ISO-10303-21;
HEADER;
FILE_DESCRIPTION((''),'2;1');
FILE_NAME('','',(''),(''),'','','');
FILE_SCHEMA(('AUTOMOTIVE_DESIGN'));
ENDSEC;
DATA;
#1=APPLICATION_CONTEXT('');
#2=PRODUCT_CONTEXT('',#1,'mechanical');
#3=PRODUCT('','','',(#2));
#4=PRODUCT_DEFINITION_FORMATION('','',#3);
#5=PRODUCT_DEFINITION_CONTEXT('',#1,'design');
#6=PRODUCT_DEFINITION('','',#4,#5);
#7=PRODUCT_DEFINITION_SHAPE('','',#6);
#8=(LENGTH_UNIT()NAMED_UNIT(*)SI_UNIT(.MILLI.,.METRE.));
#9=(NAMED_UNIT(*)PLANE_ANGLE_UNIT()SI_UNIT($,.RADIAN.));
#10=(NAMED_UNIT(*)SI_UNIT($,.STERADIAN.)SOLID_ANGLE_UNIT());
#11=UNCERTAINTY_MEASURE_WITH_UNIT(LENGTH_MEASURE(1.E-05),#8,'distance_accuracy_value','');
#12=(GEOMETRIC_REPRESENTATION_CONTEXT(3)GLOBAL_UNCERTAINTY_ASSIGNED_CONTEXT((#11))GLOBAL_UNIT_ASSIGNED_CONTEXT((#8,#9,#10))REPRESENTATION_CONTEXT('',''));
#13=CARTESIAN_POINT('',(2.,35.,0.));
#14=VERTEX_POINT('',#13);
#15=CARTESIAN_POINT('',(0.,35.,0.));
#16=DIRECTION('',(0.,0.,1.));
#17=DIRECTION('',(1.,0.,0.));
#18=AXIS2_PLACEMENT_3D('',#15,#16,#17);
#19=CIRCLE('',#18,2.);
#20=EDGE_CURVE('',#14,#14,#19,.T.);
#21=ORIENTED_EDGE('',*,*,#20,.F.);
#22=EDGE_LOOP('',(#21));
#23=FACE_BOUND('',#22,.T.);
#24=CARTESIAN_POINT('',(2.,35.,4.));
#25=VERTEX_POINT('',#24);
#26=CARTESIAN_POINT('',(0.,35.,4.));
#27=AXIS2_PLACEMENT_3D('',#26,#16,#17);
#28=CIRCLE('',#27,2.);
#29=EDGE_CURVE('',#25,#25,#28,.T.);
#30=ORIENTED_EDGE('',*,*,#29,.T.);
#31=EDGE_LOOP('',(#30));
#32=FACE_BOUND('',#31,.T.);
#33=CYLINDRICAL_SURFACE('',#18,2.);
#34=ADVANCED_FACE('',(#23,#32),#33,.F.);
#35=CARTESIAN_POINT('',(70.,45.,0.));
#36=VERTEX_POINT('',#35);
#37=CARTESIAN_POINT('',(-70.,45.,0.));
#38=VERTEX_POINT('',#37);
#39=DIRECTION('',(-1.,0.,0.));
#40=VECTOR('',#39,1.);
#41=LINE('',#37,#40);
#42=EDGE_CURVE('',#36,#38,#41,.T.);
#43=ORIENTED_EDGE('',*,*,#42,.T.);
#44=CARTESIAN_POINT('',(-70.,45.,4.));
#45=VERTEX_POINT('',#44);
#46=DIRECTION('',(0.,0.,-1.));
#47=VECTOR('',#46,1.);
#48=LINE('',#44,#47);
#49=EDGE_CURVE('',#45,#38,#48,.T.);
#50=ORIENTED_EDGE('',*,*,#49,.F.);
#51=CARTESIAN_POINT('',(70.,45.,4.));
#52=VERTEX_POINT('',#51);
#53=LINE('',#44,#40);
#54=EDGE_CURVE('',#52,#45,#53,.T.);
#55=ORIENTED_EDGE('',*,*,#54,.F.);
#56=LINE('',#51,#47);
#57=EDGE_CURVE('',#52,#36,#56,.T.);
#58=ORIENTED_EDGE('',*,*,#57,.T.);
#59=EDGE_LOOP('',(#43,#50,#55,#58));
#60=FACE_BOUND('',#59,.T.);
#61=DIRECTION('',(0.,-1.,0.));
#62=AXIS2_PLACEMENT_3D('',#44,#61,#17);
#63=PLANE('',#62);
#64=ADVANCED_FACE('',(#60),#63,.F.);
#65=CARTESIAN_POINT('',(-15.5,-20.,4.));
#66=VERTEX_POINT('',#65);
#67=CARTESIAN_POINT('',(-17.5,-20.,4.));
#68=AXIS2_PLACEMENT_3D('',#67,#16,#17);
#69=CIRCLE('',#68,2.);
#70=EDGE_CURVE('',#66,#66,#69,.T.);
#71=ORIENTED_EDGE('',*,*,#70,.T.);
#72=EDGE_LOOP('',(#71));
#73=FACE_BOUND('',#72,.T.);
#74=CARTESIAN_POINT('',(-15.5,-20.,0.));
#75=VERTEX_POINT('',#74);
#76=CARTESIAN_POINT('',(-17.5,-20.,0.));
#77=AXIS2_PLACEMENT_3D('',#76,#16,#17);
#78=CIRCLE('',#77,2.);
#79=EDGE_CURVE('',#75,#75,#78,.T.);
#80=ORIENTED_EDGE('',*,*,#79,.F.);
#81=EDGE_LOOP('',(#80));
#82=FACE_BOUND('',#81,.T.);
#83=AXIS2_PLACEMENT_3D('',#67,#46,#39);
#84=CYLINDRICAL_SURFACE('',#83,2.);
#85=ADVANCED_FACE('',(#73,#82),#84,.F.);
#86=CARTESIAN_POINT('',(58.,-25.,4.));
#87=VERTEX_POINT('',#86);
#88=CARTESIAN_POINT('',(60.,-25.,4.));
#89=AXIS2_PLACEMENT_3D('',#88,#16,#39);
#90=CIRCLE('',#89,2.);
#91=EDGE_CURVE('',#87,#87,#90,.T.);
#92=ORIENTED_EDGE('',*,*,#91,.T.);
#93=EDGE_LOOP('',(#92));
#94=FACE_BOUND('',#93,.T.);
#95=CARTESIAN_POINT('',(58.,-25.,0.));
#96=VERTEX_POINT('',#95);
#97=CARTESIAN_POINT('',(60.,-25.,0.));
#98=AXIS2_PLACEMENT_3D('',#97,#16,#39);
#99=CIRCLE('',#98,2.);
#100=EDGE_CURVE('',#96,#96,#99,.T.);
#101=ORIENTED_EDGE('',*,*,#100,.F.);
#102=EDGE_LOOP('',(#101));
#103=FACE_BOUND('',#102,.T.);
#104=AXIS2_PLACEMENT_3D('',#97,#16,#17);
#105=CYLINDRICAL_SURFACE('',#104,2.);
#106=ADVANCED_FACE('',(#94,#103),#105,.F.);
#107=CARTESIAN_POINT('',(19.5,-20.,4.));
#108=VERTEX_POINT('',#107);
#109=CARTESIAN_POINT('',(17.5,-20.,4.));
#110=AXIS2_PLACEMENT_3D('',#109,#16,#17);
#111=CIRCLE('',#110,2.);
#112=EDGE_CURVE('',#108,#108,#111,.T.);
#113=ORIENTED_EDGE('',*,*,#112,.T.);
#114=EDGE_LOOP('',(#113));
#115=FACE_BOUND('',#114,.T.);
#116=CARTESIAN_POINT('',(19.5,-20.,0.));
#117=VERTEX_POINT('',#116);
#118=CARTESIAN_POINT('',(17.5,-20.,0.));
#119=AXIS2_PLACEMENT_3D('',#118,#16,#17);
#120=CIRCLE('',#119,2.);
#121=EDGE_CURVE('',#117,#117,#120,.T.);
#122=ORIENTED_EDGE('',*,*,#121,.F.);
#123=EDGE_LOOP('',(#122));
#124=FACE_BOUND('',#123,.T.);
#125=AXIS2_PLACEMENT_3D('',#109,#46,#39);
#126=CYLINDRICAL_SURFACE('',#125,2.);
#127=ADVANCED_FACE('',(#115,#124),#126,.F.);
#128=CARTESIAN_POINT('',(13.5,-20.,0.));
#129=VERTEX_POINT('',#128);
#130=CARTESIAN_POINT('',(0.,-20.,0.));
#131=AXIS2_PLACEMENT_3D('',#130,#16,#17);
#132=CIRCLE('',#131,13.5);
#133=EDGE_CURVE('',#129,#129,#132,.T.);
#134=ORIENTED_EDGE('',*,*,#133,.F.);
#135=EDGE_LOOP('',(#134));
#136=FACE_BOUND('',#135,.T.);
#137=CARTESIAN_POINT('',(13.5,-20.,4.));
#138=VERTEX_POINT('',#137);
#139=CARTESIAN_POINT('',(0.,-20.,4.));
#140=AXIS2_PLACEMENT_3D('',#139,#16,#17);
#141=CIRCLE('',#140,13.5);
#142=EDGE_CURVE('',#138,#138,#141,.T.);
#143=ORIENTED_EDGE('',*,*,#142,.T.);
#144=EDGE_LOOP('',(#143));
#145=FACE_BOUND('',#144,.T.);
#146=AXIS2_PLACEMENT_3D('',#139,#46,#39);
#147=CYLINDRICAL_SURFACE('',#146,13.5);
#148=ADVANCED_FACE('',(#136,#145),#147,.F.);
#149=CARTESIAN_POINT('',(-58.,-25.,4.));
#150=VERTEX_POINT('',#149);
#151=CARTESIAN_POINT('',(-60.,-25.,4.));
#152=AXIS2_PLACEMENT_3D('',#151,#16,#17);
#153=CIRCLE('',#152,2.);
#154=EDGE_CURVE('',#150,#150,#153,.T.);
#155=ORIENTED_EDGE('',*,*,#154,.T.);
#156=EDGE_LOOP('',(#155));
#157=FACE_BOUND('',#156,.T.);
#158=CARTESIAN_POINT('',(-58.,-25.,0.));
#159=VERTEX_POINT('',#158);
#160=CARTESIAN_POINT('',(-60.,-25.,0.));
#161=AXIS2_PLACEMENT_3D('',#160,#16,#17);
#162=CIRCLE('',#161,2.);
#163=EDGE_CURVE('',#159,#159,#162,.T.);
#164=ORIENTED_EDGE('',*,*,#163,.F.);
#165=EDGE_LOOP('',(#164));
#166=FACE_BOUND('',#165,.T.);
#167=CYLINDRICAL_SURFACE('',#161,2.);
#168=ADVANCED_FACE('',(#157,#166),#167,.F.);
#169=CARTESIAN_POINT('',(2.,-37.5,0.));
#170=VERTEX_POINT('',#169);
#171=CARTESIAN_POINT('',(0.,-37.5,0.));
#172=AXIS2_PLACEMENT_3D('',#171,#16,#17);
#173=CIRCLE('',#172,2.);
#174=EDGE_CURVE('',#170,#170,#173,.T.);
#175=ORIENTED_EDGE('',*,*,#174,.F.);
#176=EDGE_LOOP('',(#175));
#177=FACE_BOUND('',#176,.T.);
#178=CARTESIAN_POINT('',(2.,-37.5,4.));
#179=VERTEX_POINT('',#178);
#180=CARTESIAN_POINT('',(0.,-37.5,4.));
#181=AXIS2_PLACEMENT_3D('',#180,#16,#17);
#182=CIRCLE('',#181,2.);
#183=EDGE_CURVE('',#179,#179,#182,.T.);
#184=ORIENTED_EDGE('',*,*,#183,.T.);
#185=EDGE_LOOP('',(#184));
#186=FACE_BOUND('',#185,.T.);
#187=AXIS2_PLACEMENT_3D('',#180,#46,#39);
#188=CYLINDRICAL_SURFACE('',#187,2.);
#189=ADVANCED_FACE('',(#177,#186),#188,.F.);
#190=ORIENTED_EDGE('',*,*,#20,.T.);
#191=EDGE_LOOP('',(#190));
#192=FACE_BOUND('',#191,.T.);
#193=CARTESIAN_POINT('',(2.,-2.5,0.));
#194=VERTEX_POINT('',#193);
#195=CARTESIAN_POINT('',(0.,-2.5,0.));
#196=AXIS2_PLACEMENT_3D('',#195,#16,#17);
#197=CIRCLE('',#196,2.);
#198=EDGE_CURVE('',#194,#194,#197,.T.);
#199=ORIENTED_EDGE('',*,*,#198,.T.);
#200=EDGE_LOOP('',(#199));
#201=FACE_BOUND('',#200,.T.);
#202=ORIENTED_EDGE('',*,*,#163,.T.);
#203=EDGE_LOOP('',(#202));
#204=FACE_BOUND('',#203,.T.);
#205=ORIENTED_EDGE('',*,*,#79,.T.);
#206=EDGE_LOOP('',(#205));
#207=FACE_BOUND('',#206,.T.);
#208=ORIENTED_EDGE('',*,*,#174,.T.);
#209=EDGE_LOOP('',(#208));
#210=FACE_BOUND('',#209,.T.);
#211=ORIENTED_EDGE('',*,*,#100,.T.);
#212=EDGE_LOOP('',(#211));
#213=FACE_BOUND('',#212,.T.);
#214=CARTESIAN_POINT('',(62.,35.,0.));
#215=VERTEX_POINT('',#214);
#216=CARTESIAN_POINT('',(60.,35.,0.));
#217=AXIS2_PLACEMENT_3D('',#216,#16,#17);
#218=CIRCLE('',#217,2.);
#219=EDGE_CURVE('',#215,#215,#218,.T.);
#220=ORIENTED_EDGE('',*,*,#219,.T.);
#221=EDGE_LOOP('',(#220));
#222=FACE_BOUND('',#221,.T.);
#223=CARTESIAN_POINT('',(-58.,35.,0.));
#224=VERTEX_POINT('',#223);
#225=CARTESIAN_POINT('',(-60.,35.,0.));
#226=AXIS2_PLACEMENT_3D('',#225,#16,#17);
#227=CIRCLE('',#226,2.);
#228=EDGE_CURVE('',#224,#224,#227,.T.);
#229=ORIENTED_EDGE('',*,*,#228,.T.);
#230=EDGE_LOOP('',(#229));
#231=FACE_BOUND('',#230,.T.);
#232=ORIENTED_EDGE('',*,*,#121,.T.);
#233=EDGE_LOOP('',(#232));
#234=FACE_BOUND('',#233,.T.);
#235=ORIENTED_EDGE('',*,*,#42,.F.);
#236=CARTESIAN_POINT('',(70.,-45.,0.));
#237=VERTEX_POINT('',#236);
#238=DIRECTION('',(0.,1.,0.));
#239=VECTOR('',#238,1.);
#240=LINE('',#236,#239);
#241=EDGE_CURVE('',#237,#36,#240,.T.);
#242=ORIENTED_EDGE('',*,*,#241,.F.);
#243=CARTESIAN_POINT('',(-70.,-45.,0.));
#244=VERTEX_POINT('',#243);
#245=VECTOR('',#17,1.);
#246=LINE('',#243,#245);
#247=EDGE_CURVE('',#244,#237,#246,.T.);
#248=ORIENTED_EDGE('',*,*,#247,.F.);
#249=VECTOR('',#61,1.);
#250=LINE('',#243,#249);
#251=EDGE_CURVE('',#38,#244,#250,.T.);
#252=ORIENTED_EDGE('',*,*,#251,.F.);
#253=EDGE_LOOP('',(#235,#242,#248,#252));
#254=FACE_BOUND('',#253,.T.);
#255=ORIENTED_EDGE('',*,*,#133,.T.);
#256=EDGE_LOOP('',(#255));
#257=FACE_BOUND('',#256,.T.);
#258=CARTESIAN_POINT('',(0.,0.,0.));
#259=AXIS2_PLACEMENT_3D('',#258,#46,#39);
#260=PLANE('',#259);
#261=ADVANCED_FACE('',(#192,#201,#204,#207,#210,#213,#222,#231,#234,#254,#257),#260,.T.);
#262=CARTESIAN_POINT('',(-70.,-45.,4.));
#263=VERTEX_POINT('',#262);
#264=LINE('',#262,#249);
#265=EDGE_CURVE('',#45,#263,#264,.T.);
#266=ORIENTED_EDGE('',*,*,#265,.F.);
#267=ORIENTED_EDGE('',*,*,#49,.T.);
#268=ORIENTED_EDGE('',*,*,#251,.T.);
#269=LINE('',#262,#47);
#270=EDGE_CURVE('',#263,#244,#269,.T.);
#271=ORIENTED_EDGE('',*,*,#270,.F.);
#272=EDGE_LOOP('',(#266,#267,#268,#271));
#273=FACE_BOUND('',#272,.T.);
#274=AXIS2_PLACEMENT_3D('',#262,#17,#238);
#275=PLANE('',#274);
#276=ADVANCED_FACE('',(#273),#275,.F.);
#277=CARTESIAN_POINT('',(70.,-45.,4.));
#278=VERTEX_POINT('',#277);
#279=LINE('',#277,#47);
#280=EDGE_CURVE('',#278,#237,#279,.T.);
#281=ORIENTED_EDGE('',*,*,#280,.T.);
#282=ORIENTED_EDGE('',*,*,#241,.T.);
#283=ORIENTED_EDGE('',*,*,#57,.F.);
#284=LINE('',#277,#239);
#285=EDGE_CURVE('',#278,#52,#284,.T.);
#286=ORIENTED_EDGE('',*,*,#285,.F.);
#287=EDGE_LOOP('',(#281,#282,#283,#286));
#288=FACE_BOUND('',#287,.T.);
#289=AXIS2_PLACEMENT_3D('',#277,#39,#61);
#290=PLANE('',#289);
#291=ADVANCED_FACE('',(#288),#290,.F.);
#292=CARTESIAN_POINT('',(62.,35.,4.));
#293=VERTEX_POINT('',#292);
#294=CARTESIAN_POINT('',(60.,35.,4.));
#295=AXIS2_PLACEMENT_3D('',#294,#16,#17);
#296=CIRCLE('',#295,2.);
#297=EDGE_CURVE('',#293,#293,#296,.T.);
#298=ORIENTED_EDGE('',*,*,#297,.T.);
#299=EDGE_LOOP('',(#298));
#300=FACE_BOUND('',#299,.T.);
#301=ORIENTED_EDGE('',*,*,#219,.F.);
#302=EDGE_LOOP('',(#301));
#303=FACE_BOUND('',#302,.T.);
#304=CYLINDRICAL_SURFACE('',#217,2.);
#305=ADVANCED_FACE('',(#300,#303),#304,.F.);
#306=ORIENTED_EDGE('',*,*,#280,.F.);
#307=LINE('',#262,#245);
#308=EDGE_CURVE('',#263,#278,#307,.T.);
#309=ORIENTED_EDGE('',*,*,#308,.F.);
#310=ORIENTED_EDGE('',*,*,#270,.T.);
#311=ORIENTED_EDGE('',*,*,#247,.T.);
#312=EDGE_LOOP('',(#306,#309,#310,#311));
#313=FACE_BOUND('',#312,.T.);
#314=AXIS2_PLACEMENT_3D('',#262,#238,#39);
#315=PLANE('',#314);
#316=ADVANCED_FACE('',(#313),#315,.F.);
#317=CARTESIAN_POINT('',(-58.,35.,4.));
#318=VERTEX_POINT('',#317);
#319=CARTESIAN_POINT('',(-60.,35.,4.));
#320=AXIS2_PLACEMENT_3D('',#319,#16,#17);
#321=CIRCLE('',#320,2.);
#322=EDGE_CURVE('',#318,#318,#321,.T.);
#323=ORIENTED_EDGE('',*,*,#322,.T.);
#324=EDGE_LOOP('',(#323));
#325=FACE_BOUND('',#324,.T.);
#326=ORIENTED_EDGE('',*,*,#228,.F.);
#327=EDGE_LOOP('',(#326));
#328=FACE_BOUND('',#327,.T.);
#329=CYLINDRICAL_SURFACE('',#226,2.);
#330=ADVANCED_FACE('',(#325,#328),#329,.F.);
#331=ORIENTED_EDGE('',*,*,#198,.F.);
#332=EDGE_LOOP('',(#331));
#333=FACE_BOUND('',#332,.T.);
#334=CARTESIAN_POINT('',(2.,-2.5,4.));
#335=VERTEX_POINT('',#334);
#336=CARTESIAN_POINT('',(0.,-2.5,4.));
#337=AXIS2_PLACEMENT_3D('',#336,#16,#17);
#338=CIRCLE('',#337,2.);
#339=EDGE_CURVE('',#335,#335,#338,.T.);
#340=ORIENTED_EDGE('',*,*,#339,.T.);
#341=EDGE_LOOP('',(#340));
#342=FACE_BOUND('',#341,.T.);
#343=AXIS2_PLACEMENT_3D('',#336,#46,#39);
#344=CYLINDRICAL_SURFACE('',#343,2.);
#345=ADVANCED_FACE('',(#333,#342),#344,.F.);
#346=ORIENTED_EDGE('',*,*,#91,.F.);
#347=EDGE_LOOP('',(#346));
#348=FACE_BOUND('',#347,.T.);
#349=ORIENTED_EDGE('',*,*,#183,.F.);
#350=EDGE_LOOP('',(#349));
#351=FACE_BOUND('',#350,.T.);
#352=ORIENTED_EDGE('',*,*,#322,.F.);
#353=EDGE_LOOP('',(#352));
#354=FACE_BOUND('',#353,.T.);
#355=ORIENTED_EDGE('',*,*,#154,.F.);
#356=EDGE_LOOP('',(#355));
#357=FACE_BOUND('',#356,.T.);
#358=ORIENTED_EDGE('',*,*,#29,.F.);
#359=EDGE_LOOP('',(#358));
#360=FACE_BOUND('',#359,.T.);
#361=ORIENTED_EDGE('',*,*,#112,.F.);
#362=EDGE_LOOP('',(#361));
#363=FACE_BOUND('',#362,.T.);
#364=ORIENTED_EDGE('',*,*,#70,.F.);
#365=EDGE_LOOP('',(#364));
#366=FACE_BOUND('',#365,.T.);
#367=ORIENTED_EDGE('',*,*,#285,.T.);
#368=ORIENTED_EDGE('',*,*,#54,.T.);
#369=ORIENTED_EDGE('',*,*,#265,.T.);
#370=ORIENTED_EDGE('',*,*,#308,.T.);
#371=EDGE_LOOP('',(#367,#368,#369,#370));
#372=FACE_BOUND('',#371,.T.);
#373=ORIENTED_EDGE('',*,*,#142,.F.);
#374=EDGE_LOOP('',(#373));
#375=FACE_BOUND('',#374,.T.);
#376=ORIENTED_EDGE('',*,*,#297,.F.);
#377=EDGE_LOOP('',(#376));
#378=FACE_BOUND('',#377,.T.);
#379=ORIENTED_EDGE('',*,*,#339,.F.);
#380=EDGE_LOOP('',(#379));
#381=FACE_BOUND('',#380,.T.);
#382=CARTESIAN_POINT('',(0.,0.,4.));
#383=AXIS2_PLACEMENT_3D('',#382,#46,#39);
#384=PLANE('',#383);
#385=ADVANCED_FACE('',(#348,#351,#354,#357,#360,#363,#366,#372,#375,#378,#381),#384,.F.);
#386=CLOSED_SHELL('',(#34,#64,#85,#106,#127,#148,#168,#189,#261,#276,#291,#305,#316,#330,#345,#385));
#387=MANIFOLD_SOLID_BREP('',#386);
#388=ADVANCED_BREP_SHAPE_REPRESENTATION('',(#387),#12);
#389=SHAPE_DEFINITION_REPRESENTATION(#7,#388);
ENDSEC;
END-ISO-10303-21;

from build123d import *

# Parameters (mm, degrees)
SKETCH1_W           = 140
SKETCH1_H           = 90
SKETCH1_R           = 2
SKETCH1_R_2         = 13.5
BOSS_EXTRUDE1_DEPTH = 4
SKETCH2_R           = 2
CUT_EXTRUDE1_DEPTH  = 5
SKETCH3_R           = 2
CUT_EXTRUDE2_DEPTH  = 5


with BuildPart() as part:
    # Sketch1 → Boss-Extrude1 (new body)
    with BuildSketch(Plane.XY):
        Rectangle(SKETCH1_W, SKETCH1_H)
        with Locations((0, -2.5)):
            Circle(SKETCH1_R, mode=Mode.SUBTRACT)
        with Locations((17.5, -20)):
            Circle(SKETCH1_R, mode=Mode.SUBTRACT)
        with Locations((0, -37.5)):
            Circle(SKETCH1_R, mode=Mode.SUBTRACT)
        with Locations((-17.5, -20)):
            Circle(SKETCH1_R, mode=Mode.SUBTRACT)
        with Locations((0, -20)):
            Circle(SKETCH1_R_2, mode=Mode.SUBTRACT)
    extrude(amount=BOSS_EXTRUDE1_DEPTH)

    # Sketch2 → Cut-Extrude1 (cut, through all)
    with BuildSketch(Plane.XY.offset(4)):
        with Locations((0, 35)):
            Circle(SKETCH2_R)
        with Locations((-60, 35)):
            Circle(SKETCH2_R)
        with Locations((60, 35)):
            Circle(SKETCH2_R)
    extrude(amount=-CUT_EXTRUDE1_DEPTH, mode=Mode.SUBTRACT)

    # Sketch3 → Cut-Extrude2 (cut, through all)
    with BuildSketch(Plane.XY.offset(4)):
        with Locations((-60, -25)):
            Circle(SKETCH3_R)
        with Locations((-60, -85)):
            Circle(SKETCH3_R)
        with Locations((60, -85)):
            Circle(SKETCH3_R)
        with Locations((60, -25)):
            Circle(SKETCH3_R)
    extrude(amount=-CUT_EXTRUDE2_DEPTH, mode=Mode.SUBTRACT)


solid = part.part
